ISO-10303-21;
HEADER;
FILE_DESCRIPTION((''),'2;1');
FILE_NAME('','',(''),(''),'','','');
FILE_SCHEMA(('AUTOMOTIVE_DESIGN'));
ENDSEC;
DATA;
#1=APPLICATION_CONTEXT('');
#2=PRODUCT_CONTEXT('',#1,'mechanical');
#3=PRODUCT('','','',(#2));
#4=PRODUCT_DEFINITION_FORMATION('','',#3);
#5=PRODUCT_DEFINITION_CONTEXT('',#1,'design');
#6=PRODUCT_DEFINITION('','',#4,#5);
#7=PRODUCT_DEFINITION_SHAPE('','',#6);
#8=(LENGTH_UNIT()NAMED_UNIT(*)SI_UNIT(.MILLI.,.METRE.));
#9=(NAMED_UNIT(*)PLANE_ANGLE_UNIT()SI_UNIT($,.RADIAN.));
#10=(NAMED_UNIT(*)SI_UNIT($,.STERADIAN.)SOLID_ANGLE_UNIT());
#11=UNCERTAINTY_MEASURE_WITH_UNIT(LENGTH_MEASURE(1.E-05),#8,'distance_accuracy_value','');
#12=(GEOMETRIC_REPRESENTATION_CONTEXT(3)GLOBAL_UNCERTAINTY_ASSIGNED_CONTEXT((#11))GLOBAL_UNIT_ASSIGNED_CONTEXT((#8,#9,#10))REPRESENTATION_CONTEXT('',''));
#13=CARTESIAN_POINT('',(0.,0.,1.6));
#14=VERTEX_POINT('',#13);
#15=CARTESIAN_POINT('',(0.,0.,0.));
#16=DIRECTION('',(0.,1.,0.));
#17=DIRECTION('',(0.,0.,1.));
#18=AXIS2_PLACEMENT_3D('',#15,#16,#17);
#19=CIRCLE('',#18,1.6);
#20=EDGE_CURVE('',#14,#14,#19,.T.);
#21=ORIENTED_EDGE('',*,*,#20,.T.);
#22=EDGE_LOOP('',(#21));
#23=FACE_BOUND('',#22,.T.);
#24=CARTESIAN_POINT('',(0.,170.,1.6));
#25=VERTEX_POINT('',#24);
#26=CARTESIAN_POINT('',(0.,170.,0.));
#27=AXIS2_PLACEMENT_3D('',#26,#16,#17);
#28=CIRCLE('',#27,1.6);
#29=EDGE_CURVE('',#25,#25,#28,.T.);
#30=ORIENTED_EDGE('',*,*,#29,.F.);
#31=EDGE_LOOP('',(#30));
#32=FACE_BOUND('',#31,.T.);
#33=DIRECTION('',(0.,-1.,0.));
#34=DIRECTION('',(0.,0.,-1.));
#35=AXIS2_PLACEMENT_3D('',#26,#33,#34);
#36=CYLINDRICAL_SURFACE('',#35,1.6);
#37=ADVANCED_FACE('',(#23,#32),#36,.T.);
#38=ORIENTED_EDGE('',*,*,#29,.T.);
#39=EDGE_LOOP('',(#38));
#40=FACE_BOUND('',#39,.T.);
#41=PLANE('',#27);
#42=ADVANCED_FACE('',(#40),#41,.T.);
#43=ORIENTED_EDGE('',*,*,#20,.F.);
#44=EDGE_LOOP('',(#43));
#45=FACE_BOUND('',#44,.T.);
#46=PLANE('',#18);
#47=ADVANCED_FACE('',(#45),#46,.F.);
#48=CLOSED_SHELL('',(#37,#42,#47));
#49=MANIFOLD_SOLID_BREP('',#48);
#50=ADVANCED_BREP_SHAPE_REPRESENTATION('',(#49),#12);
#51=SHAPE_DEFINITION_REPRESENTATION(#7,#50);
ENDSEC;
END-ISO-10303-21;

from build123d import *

# Parameters (mm, degrees)
SKETCH_1_R      = 1.6
EXTRUDE_1_DEPTH = 170


with BuildPart() as part:
    # 草图1 → 凸台-拉伸1 (new body)
    with BuildSketch(Plane(origin=(0, 0, 0), x_dir=(1, 0, 0), z_dir=(0, 1, 0))):
        with Locations(Location((0, 0, 0), (0, 0, 270))):
            Circle(SKETCH_1_R)
    extrude(amount=EXTRUDE_1_DEPTH)


solid = part.part
